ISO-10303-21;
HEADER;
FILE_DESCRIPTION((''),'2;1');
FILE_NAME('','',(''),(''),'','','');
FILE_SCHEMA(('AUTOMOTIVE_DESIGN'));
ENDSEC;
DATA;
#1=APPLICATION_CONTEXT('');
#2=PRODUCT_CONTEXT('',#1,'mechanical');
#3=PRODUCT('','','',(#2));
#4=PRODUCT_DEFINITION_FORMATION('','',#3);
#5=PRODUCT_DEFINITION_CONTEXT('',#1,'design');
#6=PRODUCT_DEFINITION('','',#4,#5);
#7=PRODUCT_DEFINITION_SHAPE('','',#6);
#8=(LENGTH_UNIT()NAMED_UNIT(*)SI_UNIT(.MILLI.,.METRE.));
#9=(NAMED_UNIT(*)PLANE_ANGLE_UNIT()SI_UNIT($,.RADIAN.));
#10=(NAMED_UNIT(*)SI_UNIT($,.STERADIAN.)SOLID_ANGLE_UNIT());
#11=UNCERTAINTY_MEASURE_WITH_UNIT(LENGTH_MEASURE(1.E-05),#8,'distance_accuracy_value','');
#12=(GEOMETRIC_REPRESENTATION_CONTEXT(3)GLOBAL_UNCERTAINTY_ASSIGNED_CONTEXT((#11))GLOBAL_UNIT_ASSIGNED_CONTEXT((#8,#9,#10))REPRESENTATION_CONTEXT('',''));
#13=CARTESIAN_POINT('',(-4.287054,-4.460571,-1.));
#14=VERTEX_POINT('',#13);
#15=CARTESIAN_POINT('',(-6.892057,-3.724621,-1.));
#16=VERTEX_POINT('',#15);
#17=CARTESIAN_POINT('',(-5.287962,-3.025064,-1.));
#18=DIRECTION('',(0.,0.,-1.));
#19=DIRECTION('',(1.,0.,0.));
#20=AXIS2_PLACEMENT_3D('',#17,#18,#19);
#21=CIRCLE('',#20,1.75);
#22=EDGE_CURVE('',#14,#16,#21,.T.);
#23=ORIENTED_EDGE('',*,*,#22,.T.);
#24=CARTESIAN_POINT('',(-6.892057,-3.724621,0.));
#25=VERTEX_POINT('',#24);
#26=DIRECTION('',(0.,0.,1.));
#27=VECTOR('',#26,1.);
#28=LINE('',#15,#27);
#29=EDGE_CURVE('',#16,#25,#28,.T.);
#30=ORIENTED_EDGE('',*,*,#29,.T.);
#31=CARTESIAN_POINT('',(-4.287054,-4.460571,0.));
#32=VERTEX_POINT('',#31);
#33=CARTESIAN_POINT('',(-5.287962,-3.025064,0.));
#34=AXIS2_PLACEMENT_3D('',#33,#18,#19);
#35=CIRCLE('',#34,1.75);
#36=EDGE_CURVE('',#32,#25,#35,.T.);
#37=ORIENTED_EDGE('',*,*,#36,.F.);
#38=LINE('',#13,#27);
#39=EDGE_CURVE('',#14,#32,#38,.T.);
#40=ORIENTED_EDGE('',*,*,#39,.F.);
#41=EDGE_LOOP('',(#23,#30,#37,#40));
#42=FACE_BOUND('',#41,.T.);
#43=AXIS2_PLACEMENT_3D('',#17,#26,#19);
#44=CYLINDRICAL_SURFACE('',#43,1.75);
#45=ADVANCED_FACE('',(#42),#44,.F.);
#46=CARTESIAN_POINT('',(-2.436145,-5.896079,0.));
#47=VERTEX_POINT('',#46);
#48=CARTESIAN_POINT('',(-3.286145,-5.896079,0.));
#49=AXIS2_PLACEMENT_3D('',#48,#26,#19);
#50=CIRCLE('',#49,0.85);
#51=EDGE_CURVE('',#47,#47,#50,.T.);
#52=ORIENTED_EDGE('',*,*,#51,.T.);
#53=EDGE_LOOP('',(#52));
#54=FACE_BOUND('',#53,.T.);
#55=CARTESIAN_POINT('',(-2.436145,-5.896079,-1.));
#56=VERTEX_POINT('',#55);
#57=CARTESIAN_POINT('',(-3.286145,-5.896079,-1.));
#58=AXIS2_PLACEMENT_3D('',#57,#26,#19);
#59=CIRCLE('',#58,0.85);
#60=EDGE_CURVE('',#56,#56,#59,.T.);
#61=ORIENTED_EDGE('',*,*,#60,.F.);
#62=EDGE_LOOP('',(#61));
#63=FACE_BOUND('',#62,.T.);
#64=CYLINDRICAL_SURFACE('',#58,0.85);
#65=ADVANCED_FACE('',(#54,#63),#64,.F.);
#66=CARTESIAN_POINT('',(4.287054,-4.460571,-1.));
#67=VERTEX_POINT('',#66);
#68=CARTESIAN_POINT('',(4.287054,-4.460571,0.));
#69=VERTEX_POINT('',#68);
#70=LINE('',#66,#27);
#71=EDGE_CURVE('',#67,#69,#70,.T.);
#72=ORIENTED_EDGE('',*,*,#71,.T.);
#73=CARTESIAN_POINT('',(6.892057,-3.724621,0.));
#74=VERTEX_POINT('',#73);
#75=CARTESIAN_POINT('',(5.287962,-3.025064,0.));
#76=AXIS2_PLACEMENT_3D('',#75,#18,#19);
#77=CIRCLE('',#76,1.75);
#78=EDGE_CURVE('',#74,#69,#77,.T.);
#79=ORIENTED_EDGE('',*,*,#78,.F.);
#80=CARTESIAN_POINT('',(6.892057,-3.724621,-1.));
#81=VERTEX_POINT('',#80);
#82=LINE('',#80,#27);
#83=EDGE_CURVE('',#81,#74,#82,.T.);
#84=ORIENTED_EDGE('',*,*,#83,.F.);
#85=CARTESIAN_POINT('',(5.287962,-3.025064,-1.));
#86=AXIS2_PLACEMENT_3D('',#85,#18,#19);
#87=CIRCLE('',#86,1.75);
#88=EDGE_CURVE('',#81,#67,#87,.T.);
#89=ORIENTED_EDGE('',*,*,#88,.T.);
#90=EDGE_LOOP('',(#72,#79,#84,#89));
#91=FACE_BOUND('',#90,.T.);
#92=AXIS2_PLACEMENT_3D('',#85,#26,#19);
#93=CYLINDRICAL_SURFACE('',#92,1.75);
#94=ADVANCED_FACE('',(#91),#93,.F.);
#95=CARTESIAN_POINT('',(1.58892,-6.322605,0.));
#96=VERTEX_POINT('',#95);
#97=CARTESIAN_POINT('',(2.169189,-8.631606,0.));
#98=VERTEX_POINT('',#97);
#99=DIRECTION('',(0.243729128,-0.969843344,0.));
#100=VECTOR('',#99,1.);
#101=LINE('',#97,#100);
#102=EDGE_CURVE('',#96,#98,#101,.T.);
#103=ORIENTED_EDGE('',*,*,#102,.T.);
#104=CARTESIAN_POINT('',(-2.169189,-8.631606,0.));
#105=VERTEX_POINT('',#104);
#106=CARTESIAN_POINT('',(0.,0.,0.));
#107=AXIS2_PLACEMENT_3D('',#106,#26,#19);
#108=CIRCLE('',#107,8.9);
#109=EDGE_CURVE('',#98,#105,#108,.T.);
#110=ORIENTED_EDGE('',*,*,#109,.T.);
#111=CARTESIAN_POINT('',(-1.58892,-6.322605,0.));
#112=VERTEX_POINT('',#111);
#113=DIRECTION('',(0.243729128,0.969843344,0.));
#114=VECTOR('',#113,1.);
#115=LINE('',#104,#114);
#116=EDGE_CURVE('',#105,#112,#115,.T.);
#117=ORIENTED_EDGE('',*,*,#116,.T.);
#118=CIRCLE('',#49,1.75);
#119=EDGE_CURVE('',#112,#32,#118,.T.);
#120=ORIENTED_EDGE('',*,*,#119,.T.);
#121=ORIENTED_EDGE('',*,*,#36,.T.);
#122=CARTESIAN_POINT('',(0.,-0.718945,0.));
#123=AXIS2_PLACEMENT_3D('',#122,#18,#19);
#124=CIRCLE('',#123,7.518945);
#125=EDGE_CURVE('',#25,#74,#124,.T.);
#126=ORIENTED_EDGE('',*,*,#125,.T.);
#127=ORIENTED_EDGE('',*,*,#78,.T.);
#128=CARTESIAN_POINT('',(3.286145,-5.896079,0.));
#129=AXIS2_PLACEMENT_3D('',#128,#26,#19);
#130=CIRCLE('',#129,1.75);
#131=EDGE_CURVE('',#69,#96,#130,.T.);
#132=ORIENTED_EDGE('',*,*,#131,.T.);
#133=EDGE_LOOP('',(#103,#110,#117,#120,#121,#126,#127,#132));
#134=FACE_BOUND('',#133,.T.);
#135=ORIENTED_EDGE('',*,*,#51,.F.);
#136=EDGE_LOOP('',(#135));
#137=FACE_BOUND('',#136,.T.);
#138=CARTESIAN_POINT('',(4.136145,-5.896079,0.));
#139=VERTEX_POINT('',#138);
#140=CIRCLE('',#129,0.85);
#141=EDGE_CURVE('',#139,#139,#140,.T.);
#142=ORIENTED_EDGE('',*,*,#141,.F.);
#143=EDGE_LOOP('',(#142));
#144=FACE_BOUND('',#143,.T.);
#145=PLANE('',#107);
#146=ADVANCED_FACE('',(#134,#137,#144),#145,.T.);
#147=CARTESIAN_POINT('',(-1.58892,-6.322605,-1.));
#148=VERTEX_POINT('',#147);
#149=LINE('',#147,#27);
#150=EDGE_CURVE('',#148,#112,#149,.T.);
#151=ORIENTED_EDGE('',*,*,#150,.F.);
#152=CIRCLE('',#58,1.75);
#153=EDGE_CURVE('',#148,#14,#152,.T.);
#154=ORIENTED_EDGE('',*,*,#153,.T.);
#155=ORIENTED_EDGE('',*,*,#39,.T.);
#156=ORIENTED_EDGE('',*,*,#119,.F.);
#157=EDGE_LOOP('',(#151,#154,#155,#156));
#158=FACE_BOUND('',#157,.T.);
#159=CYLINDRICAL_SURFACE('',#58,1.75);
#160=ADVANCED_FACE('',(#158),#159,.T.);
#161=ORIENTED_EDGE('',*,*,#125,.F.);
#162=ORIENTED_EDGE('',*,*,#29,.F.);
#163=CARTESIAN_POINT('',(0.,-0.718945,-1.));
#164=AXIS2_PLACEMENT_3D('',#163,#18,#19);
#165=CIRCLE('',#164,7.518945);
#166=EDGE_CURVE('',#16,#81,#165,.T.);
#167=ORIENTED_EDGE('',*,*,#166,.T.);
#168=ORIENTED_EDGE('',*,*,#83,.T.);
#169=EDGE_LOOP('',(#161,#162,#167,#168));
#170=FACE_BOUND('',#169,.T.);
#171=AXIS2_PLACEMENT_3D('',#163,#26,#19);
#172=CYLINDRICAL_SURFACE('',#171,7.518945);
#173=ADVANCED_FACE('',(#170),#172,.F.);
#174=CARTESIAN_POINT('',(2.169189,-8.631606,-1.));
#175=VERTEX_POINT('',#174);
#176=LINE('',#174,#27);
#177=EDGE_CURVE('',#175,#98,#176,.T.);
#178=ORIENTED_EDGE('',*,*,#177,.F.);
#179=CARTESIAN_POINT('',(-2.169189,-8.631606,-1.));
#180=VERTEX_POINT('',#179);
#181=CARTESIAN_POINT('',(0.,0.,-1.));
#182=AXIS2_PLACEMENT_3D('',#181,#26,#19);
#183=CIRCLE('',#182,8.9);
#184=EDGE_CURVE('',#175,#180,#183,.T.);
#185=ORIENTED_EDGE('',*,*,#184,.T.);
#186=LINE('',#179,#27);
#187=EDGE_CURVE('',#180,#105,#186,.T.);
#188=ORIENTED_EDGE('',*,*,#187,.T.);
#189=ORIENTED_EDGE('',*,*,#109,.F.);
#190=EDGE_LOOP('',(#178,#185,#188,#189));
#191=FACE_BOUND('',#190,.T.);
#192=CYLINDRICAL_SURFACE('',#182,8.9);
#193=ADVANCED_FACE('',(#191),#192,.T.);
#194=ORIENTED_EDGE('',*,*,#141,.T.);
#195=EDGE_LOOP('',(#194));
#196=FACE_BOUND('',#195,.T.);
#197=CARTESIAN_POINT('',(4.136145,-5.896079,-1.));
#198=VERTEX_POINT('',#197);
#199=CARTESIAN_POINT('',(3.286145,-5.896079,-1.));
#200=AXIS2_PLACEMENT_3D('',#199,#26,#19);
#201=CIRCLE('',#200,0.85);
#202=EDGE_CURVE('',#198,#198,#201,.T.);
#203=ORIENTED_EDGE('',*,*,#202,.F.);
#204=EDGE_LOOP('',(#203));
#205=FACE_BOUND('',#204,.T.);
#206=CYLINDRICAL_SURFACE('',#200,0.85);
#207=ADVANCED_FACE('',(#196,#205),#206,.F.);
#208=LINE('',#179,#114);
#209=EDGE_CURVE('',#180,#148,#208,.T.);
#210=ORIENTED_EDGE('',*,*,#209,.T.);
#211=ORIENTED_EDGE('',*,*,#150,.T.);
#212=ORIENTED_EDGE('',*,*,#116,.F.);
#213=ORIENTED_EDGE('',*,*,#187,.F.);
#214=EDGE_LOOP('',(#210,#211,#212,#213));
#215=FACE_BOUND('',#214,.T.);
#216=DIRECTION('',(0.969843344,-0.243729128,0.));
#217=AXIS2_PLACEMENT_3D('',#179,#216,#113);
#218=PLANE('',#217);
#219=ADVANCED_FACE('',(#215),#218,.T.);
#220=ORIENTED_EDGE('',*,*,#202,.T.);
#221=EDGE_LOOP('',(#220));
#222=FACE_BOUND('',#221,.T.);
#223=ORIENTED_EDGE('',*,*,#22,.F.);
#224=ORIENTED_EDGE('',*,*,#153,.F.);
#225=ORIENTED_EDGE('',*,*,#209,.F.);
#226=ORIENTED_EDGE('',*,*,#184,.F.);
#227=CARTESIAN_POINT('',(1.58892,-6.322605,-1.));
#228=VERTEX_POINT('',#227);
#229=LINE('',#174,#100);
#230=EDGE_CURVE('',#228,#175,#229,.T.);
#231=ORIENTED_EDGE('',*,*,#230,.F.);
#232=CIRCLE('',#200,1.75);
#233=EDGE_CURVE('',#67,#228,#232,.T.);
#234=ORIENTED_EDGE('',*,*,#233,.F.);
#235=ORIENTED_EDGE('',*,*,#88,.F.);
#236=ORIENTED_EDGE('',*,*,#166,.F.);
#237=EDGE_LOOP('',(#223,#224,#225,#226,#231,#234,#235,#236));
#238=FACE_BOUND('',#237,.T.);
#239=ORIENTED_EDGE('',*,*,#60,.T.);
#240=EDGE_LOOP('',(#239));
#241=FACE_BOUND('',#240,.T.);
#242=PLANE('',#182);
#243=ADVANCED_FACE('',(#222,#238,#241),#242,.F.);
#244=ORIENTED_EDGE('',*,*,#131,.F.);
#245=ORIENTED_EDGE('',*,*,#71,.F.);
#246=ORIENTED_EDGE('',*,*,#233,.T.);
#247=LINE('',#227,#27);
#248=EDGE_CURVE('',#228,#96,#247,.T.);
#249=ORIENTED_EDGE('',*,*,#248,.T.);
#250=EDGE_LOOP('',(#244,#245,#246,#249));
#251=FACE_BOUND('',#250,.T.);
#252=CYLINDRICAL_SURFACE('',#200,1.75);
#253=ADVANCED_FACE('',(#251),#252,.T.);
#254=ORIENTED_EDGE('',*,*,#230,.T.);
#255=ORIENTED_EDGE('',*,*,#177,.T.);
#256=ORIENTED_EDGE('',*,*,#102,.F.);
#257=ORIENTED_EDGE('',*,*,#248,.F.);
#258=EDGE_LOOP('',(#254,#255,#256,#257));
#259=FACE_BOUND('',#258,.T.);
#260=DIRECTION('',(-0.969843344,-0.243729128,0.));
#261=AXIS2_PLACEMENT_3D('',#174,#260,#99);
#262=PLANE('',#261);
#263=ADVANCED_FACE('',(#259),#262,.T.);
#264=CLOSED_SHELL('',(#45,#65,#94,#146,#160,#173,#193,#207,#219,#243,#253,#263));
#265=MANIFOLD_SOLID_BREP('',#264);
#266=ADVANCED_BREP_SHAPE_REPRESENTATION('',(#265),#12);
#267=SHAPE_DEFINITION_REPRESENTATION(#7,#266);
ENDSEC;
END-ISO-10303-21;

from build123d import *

# Parameters (mm, degrees)
BODYSKE_R  = 0.85
BODY_DEPTH = 1


with BuildPart() as part:
    # BodySke → Body (new body)
    with BuildSketch(Plane.XY):
        with BuildLine():
            Line((2.169189237, -8.631605763), (1.588919516, -6.322605062))
            ThreePointArc((1.588919516, -6.322605062), (2.292160062, -4.455768979), (4.287053834, -4.460571428))
            ThreePointArc((4.287053834, -4.460571428), (5.763739698, -4.70914686), (6.89205694, -3.724621042))
            ThreePointArc((6.89205694, -3.724621042), (0, 6.8), (-6.89205694, -3.724621042))
            ThreePointArc((-6.89205694, -3.724621042), (-5.763739698, -4.70914686), (-4.287053834, -4.460571428))
            ThreePointArc((-4.287053834, -4.460571428), (-2.292160062, -4.455768979), (-1.588919516, -6.322605062))
            Line((-1.588919516, -6.322605062), (-2.169189237, -8.631605763))
            ThreePointArc((-2.169189237, -8.631605763), (0, 8.9), (2.169189237, -8.631605763))
        make_face()
        with Locations((3.286145369, -5.896079088)):
            Circle(BODYSKE_R, mode=Mode.SUBTRACT)
        with Locations((-3.286145369, -5.896079088)):
            Circle(BODYSKE_R, mode=Mode.SUBTRACT)
    extrude(amount=-BODY_DEPTH)


solid = part.part
